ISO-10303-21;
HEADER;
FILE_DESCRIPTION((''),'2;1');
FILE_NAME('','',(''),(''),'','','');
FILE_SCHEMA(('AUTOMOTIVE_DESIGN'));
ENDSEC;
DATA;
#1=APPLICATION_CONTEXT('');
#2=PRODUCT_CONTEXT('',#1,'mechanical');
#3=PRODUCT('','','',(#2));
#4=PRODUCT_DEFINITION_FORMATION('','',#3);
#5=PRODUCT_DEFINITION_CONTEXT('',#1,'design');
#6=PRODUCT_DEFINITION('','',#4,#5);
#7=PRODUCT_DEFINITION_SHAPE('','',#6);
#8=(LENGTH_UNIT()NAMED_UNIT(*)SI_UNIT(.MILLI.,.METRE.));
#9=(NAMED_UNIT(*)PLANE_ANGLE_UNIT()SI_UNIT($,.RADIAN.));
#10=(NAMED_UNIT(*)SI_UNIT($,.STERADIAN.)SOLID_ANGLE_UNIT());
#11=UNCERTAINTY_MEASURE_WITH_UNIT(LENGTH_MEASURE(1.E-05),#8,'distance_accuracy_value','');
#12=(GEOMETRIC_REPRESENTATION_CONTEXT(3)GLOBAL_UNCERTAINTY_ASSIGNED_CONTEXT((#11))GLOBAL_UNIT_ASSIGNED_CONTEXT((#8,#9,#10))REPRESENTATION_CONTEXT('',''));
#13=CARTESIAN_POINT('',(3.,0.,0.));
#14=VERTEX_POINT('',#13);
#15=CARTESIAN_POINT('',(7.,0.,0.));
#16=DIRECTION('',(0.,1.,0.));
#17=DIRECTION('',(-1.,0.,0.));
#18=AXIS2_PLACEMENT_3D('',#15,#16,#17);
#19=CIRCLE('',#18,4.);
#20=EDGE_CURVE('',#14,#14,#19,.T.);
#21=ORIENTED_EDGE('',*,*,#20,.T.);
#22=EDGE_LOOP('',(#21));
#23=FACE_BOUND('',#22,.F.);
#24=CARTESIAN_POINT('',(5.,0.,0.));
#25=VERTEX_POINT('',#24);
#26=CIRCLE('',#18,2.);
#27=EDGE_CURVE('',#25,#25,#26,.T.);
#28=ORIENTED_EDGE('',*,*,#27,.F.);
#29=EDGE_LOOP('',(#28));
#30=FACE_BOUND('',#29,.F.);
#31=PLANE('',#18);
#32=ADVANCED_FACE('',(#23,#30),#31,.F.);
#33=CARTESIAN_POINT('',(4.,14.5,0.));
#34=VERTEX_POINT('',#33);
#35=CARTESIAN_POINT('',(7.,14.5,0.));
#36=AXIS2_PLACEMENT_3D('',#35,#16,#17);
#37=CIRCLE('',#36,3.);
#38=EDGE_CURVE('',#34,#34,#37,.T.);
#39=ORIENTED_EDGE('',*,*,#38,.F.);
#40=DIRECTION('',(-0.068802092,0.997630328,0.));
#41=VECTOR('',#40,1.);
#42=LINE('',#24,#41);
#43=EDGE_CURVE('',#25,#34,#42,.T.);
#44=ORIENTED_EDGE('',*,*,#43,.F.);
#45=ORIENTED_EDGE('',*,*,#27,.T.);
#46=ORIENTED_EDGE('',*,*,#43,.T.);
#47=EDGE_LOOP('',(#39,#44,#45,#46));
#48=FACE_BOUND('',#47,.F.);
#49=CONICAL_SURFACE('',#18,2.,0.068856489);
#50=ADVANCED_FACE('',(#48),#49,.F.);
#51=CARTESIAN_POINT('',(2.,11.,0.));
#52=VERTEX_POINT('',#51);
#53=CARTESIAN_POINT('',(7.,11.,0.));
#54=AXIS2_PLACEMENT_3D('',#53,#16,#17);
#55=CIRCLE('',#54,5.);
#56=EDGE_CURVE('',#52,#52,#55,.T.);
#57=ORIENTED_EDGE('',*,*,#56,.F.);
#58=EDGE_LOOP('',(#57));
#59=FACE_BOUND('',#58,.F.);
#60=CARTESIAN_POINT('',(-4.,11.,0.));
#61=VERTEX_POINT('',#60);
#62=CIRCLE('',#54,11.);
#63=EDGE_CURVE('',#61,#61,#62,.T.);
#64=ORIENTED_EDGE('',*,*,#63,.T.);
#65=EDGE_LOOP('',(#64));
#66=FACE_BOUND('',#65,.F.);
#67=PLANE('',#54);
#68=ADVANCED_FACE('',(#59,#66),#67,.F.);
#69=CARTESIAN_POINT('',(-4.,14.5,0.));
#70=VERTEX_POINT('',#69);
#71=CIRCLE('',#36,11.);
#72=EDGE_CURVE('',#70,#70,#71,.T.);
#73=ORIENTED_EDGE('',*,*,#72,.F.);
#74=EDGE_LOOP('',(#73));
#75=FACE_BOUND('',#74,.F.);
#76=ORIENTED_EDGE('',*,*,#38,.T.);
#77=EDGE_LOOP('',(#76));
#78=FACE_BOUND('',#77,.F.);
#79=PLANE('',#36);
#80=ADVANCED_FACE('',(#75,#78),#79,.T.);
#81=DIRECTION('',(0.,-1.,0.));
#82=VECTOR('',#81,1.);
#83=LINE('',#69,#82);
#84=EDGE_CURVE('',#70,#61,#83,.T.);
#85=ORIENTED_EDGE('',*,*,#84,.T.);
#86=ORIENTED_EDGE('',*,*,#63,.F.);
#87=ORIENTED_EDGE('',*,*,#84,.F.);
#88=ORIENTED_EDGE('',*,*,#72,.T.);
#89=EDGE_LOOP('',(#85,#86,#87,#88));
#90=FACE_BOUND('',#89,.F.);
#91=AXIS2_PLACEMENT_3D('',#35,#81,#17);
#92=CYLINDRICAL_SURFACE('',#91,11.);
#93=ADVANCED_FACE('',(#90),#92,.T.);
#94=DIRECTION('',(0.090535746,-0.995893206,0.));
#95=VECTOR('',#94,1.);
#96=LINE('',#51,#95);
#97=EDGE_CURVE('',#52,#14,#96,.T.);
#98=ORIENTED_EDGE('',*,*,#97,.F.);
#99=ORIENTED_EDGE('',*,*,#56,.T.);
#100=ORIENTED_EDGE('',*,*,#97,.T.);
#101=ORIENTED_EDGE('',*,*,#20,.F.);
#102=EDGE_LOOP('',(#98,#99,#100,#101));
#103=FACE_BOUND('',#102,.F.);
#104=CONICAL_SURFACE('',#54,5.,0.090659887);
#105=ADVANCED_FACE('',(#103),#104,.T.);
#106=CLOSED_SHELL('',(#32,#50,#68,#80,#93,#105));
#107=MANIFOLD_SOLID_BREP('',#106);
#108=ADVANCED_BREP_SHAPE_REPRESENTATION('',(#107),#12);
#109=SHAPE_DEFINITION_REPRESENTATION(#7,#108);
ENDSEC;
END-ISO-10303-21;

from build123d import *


with BuildPart() as part:
    # Sketch1 → Revolve1 (revolve)
    with BuildSketch(Plane.XY):
        Polygon((-4, 11), (0, 11), (2, 11), (3, 0), (5, 0), (4, 14.5), (-4, 14.5), align=None)
    revolve(axis=Axis((7, 0, 0), (0, 1, 0)))


solid = part.part
